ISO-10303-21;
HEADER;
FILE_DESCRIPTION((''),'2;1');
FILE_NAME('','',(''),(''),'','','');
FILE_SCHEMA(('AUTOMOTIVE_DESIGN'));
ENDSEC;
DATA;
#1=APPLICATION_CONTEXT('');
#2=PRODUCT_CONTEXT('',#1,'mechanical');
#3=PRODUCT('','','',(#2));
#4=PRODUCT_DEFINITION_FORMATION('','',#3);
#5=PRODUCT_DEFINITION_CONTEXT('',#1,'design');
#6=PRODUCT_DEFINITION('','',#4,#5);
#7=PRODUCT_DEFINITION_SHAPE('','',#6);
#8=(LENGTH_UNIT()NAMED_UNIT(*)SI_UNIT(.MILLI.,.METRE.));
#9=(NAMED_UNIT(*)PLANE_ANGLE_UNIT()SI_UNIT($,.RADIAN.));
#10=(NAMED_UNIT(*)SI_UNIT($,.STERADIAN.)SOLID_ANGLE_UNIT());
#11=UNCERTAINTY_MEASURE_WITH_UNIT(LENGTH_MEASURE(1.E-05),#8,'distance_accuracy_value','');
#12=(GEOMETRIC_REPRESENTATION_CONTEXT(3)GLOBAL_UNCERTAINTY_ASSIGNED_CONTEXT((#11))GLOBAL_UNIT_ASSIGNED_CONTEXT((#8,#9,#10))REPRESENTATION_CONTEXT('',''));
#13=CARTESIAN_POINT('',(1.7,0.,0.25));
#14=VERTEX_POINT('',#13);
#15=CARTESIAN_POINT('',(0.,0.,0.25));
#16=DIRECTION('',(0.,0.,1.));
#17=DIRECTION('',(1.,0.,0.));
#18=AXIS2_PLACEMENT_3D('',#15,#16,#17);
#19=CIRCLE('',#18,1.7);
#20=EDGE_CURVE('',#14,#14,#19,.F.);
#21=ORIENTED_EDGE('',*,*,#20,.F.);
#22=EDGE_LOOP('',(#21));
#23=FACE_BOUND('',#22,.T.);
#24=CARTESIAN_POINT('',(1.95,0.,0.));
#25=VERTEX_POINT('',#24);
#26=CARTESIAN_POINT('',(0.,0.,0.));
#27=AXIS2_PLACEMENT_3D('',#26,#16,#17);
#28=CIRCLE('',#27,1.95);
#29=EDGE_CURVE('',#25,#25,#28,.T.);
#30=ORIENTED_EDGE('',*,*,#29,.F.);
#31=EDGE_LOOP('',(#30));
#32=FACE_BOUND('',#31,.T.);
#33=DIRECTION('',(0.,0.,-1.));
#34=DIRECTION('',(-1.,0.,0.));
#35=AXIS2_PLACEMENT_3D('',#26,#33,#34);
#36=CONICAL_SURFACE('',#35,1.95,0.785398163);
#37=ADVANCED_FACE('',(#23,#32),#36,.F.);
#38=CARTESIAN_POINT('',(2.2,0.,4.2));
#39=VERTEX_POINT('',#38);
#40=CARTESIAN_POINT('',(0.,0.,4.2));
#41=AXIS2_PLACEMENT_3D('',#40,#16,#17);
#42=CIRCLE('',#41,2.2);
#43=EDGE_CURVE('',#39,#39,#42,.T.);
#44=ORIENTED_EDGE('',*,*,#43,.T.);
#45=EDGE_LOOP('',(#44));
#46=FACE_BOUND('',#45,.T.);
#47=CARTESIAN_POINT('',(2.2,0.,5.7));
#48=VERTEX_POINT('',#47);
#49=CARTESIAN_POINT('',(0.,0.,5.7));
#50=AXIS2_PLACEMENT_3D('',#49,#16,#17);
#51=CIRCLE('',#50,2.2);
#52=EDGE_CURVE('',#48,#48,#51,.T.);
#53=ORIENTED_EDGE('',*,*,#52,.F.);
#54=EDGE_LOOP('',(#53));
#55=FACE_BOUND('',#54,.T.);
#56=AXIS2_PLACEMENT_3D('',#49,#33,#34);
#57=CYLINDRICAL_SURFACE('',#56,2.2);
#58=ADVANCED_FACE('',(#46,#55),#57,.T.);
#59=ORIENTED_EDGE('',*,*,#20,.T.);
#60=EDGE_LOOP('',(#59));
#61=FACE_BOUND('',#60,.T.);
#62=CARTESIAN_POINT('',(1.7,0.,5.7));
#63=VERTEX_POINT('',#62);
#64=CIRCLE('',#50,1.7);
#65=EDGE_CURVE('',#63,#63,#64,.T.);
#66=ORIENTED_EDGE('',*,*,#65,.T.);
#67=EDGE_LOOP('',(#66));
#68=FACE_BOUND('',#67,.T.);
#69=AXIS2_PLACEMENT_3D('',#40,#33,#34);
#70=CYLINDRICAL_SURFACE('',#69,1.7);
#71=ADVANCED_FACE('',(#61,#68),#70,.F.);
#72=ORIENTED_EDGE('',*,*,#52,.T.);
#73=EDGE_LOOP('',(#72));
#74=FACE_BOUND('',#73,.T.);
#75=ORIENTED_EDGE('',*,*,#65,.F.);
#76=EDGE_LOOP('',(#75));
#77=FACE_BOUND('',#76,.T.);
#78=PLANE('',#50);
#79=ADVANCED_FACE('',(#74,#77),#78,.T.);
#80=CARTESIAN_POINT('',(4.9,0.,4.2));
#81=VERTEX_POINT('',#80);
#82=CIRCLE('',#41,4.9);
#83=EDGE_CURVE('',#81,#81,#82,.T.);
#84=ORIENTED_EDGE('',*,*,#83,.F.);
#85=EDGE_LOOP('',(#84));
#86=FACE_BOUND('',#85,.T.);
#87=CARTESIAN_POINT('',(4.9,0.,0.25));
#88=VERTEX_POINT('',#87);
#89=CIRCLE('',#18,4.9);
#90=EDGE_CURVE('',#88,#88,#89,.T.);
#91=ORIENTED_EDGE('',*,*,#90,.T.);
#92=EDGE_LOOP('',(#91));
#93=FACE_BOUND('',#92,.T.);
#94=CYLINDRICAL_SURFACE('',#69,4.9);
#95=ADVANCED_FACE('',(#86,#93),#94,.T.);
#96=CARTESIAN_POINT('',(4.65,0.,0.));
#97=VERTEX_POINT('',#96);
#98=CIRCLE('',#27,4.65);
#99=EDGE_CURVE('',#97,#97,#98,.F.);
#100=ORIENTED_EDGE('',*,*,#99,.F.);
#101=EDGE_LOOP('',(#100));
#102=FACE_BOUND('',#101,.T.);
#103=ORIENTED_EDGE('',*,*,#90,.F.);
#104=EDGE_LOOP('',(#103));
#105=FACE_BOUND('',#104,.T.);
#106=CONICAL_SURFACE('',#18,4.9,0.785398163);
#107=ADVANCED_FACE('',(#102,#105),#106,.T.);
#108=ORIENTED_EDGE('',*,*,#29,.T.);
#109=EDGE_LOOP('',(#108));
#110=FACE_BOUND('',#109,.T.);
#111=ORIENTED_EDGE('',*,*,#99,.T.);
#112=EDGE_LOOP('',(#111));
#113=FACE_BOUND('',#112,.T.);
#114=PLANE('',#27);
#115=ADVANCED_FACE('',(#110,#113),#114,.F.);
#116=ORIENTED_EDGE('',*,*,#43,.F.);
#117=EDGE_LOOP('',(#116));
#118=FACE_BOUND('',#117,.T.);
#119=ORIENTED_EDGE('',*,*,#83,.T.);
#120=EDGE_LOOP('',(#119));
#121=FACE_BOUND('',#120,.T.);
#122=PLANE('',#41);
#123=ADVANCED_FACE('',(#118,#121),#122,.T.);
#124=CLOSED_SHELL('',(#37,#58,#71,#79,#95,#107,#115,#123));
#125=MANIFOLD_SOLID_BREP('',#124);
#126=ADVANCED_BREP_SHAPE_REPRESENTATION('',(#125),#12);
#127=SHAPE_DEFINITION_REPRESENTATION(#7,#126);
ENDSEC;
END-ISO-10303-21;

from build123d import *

# Parameters (mm, degrees)
SKETCH1_R           = 4.9
SKETCH1_R_2         = 1.7
BOSS_EXTRUDE1_DEPTH = 4.2
SKETCH2_R           = 2.2
SKETCH2_R_2         = 1.7
BOSS_EXTRUDE2_DEPTH = 1.5
CHAMFER1_SIZE       = 0.25


with BuildPart() as part:
    # Sketch1 → Boss-Extrude1 (new body)
    with BuildSketch(Plane.XY):
        Circle(SKETCH1_R)
        Circle(SKETCH1_R_2, mode=Mode.SUBTRACT)
    extrude(amount=BOSS_EXTRUDE1_DEPTH)

    # Sketch2 → Boss-Extrude2 (add)
    with BuildSketch(Plane.XY.offset(4.2)):
        Circle(SKETCH2_R)
        Circle(SKETCH2_R_2, mode=Mode.SUBTRACT)
    extrude(amount=BOSS_EXTRUDE2_DEPTH)

    # Chamfer1
    chamfer1_edges = [part.edges().sort_by_distance(p)[0] for p in [
        (-4.9, 0, 0),
        (-1.7, 0, 0),
    ]]
    chamfer(chamfer1_edges, length=CHAMFER1_SIZE)


solid = part.part
